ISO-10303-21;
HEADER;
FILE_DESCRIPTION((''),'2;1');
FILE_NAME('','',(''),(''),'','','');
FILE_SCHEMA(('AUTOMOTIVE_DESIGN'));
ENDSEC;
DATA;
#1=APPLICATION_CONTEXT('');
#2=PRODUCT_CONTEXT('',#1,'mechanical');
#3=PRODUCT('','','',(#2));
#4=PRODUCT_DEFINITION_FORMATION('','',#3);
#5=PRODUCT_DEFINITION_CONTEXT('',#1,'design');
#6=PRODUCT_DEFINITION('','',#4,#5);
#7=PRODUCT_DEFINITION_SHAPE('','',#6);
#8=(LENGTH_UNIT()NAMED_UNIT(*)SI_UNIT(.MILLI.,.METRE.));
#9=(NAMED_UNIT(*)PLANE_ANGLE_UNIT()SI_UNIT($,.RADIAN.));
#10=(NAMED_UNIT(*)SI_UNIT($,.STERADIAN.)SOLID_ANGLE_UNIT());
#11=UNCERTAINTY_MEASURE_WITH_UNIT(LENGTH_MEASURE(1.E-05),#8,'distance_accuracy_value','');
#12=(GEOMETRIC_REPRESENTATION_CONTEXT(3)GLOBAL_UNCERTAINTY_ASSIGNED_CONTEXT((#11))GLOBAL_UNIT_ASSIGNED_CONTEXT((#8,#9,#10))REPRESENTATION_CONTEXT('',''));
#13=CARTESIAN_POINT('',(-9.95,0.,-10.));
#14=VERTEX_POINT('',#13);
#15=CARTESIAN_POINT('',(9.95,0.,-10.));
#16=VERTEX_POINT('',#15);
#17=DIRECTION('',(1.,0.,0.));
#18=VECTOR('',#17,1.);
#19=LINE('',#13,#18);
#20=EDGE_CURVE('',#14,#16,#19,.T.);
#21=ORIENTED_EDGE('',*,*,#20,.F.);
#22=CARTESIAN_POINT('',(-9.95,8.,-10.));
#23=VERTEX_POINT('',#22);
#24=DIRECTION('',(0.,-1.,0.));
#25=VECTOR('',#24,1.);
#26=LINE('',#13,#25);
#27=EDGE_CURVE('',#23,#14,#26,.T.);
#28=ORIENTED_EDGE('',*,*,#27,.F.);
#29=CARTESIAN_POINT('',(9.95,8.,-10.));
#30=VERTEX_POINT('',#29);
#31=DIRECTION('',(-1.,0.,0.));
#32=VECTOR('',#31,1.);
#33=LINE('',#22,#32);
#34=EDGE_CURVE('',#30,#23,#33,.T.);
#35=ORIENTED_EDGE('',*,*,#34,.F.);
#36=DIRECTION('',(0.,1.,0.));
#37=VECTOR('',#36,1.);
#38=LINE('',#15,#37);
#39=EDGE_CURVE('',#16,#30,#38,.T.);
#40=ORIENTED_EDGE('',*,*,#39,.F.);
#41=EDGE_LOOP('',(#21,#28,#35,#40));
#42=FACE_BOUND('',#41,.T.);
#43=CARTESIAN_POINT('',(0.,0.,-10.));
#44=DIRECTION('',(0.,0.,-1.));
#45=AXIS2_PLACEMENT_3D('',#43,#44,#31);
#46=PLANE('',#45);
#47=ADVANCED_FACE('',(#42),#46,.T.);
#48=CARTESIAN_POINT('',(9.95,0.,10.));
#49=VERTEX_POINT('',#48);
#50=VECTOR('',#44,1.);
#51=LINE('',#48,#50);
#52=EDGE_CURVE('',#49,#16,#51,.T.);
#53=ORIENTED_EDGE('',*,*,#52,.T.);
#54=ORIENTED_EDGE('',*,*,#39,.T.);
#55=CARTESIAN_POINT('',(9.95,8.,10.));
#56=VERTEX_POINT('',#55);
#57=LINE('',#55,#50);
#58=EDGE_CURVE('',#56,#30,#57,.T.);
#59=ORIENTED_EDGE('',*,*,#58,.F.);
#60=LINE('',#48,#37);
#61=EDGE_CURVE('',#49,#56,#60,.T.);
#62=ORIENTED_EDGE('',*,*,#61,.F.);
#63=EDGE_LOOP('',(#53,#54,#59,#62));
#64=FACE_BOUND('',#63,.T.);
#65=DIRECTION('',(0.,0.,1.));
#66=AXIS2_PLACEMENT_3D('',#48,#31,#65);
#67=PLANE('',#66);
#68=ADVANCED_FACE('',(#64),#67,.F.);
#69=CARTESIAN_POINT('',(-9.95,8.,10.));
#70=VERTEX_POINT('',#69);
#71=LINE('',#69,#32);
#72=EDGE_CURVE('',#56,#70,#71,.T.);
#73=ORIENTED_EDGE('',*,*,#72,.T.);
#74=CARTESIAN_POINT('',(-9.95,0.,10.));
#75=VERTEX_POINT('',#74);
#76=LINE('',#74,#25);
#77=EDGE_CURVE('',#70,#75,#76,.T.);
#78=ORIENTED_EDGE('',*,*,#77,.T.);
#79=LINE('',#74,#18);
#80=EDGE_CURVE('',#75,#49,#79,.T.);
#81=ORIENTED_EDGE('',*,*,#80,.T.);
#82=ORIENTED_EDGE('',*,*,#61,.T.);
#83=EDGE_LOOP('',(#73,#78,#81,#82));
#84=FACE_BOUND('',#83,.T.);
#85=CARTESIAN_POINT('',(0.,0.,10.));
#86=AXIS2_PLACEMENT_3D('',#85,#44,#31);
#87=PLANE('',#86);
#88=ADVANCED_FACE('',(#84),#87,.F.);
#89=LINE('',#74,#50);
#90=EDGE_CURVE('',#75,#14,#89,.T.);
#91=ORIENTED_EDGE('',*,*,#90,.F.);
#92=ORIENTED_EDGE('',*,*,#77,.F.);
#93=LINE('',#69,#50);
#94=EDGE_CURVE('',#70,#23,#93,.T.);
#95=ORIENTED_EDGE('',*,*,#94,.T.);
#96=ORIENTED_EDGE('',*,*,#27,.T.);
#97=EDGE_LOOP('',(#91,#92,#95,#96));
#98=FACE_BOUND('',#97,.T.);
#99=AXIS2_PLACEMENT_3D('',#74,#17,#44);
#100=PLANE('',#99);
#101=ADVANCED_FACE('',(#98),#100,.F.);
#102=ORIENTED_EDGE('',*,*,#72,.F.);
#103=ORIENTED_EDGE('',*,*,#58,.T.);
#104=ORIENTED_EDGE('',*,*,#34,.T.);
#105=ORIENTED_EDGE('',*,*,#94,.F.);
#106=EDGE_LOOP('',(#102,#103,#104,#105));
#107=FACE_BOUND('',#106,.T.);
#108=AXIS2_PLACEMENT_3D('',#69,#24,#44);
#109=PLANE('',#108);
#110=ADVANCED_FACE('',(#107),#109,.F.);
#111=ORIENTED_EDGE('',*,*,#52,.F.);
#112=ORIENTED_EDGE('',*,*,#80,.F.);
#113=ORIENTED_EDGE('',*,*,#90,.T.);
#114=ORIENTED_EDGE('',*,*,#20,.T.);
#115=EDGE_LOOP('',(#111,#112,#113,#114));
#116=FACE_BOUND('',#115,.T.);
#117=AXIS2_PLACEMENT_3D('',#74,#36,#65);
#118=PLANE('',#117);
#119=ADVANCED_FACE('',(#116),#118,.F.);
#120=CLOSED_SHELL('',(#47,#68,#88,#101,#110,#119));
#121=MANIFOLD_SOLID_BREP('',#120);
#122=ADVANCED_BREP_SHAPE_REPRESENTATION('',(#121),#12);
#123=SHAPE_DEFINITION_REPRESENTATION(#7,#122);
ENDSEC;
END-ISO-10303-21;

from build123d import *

# Parameters (mm, degrees)
ESQUISSE1_W        = 19.9
ESQUISSE1_H        = 8
BOSS_EXTRU_1_DEPTH = 10


with BuildPart() as part:
    # Esquisse1 → Boss.-Extru.1 (new, symmetric)
    with BuildSketch(Plane.XY):
        with Locations((0, 4)):
            Rectangle(ESQUISSE1_W, ESQUISSE1_H)
    extrude(amount=BOSS_EXTRU_1_DEPTH, both=True)


solid = part.part
